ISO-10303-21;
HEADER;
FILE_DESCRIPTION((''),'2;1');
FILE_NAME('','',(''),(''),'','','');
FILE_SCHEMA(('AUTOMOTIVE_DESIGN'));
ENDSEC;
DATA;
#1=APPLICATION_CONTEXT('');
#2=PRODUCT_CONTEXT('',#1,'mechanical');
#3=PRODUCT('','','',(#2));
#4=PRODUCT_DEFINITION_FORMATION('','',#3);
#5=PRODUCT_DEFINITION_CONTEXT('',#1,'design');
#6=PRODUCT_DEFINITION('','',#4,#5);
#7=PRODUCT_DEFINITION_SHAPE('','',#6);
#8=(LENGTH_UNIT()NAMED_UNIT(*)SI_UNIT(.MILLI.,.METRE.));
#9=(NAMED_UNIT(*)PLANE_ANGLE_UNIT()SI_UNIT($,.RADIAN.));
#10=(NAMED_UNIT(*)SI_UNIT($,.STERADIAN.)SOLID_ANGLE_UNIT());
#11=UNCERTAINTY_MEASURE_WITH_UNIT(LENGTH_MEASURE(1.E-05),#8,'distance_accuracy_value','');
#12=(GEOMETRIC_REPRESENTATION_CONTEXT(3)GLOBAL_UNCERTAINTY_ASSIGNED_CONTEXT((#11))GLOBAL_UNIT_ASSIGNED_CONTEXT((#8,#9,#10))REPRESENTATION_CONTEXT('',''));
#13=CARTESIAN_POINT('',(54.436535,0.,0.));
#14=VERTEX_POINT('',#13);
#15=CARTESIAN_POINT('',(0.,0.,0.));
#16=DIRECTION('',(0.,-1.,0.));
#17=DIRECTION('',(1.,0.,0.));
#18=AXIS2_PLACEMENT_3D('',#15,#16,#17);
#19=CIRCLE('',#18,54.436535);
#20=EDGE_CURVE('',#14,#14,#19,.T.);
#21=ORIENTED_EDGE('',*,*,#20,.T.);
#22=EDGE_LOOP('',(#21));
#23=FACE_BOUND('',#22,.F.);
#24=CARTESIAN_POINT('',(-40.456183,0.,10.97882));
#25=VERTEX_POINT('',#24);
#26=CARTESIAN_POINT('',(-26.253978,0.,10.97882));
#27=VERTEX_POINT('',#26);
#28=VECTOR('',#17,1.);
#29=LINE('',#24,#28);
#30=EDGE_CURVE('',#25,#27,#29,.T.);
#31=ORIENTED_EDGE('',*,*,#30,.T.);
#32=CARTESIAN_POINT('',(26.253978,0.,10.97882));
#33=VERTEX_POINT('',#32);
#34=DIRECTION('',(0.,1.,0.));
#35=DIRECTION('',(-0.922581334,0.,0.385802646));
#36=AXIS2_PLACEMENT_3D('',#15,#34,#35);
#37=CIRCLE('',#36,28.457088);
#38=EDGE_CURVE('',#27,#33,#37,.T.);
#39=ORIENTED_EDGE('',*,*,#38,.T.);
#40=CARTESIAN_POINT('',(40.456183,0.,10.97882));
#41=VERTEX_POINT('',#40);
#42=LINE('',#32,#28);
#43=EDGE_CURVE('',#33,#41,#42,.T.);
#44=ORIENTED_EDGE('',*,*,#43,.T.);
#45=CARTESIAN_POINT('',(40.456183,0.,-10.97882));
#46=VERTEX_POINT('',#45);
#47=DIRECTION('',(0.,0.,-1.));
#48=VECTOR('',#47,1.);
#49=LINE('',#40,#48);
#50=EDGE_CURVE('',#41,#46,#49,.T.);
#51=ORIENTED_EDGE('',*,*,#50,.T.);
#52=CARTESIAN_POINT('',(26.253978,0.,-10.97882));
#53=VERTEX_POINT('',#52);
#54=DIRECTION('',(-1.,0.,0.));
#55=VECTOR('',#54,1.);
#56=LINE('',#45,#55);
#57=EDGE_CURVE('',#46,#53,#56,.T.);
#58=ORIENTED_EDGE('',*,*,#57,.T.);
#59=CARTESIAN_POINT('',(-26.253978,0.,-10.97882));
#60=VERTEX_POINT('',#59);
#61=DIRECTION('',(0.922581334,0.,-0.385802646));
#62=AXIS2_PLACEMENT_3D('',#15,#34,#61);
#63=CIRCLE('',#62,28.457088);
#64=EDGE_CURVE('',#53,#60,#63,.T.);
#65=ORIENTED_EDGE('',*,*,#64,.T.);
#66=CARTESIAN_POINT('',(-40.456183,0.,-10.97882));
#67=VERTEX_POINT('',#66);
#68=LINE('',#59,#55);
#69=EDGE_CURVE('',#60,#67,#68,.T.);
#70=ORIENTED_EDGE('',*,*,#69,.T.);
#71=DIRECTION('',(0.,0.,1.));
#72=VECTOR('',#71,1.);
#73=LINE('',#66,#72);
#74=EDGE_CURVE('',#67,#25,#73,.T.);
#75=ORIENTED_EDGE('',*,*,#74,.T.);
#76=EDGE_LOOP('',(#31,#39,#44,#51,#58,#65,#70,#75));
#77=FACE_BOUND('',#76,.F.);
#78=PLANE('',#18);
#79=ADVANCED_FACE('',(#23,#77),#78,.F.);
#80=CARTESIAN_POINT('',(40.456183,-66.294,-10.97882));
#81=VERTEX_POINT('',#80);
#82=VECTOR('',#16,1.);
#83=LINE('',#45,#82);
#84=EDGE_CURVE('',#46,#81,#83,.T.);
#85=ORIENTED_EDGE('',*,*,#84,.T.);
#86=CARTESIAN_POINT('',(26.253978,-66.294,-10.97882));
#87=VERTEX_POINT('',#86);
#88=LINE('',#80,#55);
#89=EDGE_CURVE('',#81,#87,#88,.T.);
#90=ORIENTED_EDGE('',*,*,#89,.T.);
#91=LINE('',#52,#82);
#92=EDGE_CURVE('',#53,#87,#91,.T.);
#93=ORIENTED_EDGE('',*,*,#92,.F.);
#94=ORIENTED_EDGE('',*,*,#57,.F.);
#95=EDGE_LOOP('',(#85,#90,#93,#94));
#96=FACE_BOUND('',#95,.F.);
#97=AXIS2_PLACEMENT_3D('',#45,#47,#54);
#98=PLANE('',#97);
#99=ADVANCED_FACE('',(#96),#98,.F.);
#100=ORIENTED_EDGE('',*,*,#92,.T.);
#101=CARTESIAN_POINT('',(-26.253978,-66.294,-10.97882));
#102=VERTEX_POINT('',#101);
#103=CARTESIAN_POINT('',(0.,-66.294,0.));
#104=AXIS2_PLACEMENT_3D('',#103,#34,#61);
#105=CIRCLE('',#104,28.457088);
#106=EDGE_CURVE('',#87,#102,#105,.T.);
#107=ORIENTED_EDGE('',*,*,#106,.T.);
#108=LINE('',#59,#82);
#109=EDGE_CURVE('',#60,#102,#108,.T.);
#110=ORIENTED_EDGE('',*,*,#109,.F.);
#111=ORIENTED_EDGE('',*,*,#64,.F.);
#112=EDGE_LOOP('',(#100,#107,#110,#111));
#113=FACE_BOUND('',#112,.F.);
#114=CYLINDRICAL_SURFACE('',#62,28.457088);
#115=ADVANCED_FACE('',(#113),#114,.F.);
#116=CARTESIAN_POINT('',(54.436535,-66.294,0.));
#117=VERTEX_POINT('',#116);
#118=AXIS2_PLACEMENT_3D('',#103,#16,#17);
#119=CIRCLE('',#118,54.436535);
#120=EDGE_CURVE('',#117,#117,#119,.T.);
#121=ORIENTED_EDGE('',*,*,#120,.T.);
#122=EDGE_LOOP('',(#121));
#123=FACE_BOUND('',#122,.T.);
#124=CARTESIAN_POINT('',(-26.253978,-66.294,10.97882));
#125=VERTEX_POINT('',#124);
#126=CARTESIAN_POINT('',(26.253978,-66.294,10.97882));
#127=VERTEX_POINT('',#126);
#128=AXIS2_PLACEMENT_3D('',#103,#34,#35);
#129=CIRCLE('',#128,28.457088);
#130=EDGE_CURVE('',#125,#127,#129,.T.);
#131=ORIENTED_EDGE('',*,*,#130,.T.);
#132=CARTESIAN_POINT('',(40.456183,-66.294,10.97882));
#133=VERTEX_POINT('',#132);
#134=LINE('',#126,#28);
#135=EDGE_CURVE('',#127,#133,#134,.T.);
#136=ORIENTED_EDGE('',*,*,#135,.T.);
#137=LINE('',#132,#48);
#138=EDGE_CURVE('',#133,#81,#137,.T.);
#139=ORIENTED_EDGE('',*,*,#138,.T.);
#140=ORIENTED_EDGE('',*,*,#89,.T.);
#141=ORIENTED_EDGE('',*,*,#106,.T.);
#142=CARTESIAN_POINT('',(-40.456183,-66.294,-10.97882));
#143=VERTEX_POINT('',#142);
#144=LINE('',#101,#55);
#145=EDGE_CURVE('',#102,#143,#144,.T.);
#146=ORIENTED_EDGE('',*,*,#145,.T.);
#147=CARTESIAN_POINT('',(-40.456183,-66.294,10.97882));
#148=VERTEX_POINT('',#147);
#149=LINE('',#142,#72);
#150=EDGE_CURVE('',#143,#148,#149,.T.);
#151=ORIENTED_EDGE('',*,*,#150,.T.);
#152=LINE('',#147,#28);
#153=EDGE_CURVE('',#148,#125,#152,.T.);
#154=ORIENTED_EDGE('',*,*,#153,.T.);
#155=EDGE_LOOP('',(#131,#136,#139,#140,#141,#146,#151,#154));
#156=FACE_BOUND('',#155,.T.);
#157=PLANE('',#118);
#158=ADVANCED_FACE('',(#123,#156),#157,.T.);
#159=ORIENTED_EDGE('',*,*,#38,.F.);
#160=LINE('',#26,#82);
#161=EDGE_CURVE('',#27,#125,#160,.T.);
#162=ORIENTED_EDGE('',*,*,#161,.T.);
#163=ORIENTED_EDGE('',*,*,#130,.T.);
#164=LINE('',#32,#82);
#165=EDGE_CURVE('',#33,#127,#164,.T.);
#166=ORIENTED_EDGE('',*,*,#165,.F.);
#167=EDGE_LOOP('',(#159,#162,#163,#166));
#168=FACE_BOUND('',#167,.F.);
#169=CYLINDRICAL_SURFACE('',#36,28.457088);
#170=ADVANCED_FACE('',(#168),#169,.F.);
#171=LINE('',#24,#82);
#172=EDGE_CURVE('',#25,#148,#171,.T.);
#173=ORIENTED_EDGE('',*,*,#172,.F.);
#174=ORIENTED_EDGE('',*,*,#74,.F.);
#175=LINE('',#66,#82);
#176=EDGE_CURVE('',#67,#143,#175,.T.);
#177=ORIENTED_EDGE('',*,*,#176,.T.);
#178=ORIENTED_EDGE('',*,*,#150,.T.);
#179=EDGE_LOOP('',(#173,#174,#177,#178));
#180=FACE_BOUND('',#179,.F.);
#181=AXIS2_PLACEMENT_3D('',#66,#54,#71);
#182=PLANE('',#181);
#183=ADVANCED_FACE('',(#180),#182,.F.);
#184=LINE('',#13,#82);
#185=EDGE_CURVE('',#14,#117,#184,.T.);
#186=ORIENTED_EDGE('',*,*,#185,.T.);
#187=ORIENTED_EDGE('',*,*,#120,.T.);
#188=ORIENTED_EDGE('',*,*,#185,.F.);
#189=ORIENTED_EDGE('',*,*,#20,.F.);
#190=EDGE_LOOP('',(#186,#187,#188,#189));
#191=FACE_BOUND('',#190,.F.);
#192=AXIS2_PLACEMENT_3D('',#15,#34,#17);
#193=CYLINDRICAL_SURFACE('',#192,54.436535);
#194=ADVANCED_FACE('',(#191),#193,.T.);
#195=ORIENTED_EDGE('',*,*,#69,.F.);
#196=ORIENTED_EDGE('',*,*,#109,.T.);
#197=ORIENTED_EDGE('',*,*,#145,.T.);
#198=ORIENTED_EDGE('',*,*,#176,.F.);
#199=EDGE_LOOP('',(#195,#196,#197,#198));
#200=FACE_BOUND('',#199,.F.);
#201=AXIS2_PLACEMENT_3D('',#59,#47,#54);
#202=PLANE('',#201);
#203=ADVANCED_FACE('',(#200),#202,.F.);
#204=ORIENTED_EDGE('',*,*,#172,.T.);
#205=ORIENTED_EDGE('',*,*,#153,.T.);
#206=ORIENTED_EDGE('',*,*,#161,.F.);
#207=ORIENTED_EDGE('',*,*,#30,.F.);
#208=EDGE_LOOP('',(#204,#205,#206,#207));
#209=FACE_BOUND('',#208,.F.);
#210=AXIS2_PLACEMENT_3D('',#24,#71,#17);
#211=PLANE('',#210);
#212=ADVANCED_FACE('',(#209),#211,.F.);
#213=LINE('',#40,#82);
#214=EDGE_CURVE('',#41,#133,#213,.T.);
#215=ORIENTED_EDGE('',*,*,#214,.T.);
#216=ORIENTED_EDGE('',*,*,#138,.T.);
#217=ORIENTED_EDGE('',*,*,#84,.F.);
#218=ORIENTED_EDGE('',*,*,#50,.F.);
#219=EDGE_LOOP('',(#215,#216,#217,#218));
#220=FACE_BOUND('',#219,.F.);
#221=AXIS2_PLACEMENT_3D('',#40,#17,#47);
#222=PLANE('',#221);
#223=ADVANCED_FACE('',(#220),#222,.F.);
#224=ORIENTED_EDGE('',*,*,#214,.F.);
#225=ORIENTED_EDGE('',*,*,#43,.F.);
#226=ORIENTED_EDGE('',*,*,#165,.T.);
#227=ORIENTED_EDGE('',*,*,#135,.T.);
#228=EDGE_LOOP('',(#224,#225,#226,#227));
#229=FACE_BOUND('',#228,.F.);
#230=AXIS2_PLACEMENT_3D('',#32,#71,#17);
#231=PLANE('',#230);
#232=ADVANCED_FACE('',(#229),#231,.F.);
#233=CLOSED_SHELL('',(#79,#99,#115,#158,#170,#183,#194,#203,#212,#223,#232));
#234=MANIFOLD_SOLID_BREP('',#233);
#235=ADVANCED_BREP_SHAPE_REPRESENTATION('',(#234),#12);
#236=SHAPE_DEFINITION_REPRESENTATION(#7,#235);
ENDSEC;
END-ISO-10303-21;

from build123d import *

# Parameters (mm, degrees)
F0_R     = 54.436535
F1_DEPTH = 66.294


with BuildPart() as f1:
    # F0 (on Front) → F1 (new body)
    with BuildSketch(Plane.XZ):
        Circle(F0_R)
        with BuildLine():
            ThreePointArc((-26.253978, 10.97882), (0, 28.457088), (26.253978, 10.97882))
            Line((26.253978, 10.97882), (40.456183, 10.97882))
            Line((40.456183, 10.97882), (40.456183, -10.97882))
            Line((40.456183, -10.97882), (26.253978, -10.97882))
            ThreePointArc((26.253978, -10.97882), (0, -28.457088), (-26.253978, -10.97882))
            Line((-26.253978, -10.97882), (-40.456183, -10.97882))
            Line((-40.456183, -10.97882), (-40.456183, 10.97882))
            Line((-40.456183, 10.97882), (-26.253978, 10.97882))
        make_face(mode=Mode.SUBTRACT)
    extrude(amount=F1_DEPTH)


solid = f1.part
